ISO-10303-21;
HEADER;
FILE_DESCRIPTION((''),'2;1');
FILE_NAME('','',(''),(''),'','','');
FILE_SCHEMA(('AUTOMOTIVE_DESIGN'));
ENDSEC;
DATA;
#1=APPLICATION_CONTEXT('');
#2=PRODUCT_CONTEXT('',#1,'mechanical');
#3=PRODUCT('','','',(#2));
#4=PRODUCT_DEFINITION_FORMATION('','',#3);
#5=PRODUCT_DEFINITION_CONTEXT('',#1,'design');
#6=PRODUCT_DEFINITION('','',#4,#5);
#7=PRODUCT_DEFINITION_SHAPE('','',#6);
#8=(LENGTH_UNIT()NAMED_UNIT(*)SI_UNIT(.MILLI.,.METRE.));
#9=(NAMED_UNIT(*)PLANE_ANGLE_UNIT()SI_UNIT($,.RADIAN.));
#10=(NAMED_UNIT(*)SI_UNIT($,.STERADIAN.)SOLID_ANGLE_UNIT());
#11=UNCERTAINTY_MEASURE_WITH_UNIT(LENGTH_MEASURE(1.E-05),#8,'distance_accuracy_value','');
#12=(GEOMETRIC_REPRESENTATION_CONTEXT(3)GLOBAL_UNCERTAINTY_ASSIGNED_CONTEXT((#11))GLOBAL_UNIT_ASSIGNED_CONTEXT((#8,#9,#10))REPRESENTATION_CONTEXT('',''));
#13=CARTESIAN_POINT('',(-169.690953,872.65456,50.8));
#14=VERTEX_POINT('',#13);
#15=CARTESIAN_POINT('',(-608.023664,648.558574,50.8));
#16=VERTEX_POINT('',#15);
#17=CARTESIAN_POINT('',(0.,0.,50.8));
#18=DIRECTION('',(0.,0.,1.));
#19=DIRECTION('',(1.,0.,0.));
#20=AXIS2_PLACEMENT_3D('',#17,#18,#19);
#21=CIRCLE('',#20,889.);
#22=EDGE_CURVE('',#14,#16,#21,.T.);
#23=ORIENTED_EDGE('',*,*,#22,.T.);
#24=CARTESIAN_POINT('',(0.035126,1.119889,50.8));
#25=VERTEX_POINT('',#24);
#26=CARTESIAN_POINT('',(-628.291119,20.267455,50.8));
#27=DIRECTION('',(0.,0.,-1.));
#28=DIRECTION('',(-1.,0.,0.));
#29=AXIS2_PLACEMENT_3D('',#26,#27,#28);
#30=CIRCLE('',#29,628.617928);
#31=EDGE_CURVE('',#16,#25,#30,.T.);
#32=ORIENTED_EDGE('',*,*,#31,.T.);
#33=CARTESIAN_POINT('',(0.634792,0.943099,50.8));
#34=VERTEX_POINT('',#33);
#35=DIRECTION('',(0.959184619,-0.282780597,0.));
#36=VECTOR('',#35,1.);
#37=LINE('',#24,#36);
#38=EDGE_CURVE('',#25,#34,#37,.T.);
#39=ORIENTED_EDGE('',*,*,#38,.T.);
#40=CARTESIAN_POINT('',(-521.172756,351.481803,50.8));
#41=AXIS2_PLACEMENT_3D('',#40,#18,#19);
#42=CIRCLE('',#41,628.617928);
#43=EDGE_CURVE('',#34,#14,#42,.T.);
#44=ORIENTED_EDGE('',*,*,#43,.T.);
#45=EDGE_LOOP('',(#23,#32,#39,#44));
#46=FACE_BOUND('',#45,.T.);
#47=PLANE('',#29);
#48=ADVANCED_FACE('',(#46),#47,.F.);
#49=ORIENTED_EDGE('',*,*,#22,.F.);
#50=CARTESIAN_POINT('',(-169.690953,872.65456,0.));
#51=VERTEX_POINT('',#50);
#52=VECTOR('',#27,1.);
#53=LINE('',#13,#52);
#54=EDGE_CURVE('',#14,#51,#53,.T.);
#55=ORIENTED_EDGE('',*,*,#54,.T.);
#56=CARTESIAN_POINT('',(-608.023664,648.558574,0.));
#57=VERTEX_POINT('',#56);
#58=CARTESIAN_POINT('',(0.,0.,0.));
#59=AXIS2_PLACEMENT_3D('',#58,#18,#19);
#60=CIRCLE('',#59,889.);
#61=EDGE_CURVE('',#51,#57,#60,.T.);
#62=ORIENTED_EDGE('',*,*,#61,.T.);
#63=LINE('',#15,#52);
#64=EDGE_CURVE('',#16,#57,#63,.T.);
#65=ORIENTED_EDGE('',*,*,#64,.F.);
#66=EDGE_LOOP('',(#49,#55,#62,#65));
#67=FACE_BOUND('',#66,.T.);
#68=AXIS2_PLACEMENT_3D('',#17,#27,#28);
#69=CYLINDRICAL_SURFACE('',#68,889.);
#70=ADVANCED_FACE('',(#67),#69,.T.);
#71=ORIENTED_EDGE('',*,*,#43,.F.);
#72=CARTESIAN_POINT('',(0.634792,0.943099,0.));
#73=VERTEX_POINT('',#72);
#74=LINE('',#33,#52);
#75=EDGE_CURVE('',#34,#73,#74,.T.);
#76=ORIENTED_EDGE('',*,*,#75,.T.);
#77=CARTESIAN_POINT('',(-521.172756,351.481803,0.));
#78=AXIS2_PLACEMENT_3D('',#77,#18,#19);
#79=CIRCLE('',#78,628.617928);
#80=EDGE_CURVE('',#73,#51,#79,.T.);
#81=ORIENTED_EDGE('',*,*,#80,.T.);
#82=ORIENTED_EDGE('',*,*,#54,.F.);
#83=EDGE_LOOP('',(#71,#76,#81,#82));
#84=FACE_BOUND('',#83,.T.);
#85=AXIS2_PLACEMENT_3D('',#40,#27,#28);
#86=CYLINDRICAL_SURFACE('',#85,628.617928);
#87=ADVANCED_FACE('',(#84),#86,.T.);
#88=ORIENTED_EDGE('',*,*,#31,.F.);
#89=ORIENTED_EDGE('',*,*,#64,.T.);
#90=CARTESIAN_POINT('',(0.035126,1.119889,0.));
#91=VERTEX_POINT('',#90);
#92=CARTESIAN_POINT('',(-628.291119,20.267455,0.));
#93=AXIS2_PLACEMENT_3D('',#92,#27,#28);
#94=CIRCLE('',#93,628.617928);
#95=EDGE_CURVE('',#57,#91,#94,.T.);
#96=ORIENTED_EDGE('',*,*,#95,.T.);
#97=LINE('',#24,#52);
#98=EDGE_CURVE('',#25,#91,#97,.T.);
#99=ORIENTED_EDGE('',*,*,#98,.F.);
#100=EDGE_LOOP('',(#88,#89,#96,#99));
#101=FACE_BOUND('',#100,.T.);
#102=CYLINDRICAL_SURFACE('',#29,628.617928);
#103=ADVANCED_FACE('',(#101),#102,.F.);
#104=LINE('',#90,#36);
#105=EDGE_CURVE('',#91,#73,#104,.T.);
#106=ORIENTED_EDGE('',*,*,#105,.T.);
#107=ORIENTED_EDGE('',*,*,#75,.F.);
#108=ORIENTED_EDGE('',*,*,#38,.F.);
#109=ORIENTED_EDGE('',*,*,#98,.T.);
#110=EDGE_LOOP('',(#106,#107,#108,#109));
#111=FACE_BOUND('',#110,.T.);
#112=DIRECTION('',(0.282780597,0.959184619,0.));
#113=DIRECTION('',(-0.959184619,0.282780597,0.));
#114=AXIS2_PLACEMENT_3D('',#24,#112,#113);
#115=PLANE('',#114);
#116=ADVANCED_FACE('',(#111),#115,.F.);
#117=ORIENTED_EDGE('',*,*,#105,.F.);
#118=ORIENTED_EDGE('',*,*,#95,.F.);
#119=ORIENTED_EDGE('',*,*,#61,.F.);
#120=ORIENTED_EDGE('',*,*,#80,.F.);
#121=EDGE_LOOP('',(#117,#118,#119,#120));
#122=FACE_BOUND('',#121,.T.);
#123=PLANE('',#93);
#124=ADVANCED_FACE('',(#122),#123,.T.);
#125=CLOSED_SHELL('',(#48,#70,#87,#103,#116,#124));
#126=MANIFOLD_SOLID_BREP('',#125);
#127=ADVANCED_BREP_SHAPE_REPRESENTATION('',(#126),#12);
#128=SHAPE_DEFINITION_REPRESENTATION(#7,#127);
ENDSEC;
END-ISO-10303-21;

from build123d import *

# Parameters (mm, degrees)
BOSS_EXTRUDE1_DEPTH = 50.8


with BuildPart() as part:
    # Sketch1 → Boss-Extrude1 (new body)
    with BuildSketch(Plane.XY):
        with BuildLine():
            Line((0.035126394, 1.11988868), (0.634791513, 0.943099294))
            ThreePointArc((0.634791513, 0.943099294), (95.778449388, 472.029344824), (-169.690953016, 872.654559642))
            ThreePointArc((-169.690953016, 872.654559642), (-404.678587099, 791.55305643), (-608.023663576, 648.558574481))
            ThreePointArc((-608.023663576, 648.558574481), (-170.074292437, 450.61364148), (0.035126394, 1.11988868))
        make_face()
    extrude(amount=BOSS_EXTRUDE1_DEPTH)


solid = part.part
